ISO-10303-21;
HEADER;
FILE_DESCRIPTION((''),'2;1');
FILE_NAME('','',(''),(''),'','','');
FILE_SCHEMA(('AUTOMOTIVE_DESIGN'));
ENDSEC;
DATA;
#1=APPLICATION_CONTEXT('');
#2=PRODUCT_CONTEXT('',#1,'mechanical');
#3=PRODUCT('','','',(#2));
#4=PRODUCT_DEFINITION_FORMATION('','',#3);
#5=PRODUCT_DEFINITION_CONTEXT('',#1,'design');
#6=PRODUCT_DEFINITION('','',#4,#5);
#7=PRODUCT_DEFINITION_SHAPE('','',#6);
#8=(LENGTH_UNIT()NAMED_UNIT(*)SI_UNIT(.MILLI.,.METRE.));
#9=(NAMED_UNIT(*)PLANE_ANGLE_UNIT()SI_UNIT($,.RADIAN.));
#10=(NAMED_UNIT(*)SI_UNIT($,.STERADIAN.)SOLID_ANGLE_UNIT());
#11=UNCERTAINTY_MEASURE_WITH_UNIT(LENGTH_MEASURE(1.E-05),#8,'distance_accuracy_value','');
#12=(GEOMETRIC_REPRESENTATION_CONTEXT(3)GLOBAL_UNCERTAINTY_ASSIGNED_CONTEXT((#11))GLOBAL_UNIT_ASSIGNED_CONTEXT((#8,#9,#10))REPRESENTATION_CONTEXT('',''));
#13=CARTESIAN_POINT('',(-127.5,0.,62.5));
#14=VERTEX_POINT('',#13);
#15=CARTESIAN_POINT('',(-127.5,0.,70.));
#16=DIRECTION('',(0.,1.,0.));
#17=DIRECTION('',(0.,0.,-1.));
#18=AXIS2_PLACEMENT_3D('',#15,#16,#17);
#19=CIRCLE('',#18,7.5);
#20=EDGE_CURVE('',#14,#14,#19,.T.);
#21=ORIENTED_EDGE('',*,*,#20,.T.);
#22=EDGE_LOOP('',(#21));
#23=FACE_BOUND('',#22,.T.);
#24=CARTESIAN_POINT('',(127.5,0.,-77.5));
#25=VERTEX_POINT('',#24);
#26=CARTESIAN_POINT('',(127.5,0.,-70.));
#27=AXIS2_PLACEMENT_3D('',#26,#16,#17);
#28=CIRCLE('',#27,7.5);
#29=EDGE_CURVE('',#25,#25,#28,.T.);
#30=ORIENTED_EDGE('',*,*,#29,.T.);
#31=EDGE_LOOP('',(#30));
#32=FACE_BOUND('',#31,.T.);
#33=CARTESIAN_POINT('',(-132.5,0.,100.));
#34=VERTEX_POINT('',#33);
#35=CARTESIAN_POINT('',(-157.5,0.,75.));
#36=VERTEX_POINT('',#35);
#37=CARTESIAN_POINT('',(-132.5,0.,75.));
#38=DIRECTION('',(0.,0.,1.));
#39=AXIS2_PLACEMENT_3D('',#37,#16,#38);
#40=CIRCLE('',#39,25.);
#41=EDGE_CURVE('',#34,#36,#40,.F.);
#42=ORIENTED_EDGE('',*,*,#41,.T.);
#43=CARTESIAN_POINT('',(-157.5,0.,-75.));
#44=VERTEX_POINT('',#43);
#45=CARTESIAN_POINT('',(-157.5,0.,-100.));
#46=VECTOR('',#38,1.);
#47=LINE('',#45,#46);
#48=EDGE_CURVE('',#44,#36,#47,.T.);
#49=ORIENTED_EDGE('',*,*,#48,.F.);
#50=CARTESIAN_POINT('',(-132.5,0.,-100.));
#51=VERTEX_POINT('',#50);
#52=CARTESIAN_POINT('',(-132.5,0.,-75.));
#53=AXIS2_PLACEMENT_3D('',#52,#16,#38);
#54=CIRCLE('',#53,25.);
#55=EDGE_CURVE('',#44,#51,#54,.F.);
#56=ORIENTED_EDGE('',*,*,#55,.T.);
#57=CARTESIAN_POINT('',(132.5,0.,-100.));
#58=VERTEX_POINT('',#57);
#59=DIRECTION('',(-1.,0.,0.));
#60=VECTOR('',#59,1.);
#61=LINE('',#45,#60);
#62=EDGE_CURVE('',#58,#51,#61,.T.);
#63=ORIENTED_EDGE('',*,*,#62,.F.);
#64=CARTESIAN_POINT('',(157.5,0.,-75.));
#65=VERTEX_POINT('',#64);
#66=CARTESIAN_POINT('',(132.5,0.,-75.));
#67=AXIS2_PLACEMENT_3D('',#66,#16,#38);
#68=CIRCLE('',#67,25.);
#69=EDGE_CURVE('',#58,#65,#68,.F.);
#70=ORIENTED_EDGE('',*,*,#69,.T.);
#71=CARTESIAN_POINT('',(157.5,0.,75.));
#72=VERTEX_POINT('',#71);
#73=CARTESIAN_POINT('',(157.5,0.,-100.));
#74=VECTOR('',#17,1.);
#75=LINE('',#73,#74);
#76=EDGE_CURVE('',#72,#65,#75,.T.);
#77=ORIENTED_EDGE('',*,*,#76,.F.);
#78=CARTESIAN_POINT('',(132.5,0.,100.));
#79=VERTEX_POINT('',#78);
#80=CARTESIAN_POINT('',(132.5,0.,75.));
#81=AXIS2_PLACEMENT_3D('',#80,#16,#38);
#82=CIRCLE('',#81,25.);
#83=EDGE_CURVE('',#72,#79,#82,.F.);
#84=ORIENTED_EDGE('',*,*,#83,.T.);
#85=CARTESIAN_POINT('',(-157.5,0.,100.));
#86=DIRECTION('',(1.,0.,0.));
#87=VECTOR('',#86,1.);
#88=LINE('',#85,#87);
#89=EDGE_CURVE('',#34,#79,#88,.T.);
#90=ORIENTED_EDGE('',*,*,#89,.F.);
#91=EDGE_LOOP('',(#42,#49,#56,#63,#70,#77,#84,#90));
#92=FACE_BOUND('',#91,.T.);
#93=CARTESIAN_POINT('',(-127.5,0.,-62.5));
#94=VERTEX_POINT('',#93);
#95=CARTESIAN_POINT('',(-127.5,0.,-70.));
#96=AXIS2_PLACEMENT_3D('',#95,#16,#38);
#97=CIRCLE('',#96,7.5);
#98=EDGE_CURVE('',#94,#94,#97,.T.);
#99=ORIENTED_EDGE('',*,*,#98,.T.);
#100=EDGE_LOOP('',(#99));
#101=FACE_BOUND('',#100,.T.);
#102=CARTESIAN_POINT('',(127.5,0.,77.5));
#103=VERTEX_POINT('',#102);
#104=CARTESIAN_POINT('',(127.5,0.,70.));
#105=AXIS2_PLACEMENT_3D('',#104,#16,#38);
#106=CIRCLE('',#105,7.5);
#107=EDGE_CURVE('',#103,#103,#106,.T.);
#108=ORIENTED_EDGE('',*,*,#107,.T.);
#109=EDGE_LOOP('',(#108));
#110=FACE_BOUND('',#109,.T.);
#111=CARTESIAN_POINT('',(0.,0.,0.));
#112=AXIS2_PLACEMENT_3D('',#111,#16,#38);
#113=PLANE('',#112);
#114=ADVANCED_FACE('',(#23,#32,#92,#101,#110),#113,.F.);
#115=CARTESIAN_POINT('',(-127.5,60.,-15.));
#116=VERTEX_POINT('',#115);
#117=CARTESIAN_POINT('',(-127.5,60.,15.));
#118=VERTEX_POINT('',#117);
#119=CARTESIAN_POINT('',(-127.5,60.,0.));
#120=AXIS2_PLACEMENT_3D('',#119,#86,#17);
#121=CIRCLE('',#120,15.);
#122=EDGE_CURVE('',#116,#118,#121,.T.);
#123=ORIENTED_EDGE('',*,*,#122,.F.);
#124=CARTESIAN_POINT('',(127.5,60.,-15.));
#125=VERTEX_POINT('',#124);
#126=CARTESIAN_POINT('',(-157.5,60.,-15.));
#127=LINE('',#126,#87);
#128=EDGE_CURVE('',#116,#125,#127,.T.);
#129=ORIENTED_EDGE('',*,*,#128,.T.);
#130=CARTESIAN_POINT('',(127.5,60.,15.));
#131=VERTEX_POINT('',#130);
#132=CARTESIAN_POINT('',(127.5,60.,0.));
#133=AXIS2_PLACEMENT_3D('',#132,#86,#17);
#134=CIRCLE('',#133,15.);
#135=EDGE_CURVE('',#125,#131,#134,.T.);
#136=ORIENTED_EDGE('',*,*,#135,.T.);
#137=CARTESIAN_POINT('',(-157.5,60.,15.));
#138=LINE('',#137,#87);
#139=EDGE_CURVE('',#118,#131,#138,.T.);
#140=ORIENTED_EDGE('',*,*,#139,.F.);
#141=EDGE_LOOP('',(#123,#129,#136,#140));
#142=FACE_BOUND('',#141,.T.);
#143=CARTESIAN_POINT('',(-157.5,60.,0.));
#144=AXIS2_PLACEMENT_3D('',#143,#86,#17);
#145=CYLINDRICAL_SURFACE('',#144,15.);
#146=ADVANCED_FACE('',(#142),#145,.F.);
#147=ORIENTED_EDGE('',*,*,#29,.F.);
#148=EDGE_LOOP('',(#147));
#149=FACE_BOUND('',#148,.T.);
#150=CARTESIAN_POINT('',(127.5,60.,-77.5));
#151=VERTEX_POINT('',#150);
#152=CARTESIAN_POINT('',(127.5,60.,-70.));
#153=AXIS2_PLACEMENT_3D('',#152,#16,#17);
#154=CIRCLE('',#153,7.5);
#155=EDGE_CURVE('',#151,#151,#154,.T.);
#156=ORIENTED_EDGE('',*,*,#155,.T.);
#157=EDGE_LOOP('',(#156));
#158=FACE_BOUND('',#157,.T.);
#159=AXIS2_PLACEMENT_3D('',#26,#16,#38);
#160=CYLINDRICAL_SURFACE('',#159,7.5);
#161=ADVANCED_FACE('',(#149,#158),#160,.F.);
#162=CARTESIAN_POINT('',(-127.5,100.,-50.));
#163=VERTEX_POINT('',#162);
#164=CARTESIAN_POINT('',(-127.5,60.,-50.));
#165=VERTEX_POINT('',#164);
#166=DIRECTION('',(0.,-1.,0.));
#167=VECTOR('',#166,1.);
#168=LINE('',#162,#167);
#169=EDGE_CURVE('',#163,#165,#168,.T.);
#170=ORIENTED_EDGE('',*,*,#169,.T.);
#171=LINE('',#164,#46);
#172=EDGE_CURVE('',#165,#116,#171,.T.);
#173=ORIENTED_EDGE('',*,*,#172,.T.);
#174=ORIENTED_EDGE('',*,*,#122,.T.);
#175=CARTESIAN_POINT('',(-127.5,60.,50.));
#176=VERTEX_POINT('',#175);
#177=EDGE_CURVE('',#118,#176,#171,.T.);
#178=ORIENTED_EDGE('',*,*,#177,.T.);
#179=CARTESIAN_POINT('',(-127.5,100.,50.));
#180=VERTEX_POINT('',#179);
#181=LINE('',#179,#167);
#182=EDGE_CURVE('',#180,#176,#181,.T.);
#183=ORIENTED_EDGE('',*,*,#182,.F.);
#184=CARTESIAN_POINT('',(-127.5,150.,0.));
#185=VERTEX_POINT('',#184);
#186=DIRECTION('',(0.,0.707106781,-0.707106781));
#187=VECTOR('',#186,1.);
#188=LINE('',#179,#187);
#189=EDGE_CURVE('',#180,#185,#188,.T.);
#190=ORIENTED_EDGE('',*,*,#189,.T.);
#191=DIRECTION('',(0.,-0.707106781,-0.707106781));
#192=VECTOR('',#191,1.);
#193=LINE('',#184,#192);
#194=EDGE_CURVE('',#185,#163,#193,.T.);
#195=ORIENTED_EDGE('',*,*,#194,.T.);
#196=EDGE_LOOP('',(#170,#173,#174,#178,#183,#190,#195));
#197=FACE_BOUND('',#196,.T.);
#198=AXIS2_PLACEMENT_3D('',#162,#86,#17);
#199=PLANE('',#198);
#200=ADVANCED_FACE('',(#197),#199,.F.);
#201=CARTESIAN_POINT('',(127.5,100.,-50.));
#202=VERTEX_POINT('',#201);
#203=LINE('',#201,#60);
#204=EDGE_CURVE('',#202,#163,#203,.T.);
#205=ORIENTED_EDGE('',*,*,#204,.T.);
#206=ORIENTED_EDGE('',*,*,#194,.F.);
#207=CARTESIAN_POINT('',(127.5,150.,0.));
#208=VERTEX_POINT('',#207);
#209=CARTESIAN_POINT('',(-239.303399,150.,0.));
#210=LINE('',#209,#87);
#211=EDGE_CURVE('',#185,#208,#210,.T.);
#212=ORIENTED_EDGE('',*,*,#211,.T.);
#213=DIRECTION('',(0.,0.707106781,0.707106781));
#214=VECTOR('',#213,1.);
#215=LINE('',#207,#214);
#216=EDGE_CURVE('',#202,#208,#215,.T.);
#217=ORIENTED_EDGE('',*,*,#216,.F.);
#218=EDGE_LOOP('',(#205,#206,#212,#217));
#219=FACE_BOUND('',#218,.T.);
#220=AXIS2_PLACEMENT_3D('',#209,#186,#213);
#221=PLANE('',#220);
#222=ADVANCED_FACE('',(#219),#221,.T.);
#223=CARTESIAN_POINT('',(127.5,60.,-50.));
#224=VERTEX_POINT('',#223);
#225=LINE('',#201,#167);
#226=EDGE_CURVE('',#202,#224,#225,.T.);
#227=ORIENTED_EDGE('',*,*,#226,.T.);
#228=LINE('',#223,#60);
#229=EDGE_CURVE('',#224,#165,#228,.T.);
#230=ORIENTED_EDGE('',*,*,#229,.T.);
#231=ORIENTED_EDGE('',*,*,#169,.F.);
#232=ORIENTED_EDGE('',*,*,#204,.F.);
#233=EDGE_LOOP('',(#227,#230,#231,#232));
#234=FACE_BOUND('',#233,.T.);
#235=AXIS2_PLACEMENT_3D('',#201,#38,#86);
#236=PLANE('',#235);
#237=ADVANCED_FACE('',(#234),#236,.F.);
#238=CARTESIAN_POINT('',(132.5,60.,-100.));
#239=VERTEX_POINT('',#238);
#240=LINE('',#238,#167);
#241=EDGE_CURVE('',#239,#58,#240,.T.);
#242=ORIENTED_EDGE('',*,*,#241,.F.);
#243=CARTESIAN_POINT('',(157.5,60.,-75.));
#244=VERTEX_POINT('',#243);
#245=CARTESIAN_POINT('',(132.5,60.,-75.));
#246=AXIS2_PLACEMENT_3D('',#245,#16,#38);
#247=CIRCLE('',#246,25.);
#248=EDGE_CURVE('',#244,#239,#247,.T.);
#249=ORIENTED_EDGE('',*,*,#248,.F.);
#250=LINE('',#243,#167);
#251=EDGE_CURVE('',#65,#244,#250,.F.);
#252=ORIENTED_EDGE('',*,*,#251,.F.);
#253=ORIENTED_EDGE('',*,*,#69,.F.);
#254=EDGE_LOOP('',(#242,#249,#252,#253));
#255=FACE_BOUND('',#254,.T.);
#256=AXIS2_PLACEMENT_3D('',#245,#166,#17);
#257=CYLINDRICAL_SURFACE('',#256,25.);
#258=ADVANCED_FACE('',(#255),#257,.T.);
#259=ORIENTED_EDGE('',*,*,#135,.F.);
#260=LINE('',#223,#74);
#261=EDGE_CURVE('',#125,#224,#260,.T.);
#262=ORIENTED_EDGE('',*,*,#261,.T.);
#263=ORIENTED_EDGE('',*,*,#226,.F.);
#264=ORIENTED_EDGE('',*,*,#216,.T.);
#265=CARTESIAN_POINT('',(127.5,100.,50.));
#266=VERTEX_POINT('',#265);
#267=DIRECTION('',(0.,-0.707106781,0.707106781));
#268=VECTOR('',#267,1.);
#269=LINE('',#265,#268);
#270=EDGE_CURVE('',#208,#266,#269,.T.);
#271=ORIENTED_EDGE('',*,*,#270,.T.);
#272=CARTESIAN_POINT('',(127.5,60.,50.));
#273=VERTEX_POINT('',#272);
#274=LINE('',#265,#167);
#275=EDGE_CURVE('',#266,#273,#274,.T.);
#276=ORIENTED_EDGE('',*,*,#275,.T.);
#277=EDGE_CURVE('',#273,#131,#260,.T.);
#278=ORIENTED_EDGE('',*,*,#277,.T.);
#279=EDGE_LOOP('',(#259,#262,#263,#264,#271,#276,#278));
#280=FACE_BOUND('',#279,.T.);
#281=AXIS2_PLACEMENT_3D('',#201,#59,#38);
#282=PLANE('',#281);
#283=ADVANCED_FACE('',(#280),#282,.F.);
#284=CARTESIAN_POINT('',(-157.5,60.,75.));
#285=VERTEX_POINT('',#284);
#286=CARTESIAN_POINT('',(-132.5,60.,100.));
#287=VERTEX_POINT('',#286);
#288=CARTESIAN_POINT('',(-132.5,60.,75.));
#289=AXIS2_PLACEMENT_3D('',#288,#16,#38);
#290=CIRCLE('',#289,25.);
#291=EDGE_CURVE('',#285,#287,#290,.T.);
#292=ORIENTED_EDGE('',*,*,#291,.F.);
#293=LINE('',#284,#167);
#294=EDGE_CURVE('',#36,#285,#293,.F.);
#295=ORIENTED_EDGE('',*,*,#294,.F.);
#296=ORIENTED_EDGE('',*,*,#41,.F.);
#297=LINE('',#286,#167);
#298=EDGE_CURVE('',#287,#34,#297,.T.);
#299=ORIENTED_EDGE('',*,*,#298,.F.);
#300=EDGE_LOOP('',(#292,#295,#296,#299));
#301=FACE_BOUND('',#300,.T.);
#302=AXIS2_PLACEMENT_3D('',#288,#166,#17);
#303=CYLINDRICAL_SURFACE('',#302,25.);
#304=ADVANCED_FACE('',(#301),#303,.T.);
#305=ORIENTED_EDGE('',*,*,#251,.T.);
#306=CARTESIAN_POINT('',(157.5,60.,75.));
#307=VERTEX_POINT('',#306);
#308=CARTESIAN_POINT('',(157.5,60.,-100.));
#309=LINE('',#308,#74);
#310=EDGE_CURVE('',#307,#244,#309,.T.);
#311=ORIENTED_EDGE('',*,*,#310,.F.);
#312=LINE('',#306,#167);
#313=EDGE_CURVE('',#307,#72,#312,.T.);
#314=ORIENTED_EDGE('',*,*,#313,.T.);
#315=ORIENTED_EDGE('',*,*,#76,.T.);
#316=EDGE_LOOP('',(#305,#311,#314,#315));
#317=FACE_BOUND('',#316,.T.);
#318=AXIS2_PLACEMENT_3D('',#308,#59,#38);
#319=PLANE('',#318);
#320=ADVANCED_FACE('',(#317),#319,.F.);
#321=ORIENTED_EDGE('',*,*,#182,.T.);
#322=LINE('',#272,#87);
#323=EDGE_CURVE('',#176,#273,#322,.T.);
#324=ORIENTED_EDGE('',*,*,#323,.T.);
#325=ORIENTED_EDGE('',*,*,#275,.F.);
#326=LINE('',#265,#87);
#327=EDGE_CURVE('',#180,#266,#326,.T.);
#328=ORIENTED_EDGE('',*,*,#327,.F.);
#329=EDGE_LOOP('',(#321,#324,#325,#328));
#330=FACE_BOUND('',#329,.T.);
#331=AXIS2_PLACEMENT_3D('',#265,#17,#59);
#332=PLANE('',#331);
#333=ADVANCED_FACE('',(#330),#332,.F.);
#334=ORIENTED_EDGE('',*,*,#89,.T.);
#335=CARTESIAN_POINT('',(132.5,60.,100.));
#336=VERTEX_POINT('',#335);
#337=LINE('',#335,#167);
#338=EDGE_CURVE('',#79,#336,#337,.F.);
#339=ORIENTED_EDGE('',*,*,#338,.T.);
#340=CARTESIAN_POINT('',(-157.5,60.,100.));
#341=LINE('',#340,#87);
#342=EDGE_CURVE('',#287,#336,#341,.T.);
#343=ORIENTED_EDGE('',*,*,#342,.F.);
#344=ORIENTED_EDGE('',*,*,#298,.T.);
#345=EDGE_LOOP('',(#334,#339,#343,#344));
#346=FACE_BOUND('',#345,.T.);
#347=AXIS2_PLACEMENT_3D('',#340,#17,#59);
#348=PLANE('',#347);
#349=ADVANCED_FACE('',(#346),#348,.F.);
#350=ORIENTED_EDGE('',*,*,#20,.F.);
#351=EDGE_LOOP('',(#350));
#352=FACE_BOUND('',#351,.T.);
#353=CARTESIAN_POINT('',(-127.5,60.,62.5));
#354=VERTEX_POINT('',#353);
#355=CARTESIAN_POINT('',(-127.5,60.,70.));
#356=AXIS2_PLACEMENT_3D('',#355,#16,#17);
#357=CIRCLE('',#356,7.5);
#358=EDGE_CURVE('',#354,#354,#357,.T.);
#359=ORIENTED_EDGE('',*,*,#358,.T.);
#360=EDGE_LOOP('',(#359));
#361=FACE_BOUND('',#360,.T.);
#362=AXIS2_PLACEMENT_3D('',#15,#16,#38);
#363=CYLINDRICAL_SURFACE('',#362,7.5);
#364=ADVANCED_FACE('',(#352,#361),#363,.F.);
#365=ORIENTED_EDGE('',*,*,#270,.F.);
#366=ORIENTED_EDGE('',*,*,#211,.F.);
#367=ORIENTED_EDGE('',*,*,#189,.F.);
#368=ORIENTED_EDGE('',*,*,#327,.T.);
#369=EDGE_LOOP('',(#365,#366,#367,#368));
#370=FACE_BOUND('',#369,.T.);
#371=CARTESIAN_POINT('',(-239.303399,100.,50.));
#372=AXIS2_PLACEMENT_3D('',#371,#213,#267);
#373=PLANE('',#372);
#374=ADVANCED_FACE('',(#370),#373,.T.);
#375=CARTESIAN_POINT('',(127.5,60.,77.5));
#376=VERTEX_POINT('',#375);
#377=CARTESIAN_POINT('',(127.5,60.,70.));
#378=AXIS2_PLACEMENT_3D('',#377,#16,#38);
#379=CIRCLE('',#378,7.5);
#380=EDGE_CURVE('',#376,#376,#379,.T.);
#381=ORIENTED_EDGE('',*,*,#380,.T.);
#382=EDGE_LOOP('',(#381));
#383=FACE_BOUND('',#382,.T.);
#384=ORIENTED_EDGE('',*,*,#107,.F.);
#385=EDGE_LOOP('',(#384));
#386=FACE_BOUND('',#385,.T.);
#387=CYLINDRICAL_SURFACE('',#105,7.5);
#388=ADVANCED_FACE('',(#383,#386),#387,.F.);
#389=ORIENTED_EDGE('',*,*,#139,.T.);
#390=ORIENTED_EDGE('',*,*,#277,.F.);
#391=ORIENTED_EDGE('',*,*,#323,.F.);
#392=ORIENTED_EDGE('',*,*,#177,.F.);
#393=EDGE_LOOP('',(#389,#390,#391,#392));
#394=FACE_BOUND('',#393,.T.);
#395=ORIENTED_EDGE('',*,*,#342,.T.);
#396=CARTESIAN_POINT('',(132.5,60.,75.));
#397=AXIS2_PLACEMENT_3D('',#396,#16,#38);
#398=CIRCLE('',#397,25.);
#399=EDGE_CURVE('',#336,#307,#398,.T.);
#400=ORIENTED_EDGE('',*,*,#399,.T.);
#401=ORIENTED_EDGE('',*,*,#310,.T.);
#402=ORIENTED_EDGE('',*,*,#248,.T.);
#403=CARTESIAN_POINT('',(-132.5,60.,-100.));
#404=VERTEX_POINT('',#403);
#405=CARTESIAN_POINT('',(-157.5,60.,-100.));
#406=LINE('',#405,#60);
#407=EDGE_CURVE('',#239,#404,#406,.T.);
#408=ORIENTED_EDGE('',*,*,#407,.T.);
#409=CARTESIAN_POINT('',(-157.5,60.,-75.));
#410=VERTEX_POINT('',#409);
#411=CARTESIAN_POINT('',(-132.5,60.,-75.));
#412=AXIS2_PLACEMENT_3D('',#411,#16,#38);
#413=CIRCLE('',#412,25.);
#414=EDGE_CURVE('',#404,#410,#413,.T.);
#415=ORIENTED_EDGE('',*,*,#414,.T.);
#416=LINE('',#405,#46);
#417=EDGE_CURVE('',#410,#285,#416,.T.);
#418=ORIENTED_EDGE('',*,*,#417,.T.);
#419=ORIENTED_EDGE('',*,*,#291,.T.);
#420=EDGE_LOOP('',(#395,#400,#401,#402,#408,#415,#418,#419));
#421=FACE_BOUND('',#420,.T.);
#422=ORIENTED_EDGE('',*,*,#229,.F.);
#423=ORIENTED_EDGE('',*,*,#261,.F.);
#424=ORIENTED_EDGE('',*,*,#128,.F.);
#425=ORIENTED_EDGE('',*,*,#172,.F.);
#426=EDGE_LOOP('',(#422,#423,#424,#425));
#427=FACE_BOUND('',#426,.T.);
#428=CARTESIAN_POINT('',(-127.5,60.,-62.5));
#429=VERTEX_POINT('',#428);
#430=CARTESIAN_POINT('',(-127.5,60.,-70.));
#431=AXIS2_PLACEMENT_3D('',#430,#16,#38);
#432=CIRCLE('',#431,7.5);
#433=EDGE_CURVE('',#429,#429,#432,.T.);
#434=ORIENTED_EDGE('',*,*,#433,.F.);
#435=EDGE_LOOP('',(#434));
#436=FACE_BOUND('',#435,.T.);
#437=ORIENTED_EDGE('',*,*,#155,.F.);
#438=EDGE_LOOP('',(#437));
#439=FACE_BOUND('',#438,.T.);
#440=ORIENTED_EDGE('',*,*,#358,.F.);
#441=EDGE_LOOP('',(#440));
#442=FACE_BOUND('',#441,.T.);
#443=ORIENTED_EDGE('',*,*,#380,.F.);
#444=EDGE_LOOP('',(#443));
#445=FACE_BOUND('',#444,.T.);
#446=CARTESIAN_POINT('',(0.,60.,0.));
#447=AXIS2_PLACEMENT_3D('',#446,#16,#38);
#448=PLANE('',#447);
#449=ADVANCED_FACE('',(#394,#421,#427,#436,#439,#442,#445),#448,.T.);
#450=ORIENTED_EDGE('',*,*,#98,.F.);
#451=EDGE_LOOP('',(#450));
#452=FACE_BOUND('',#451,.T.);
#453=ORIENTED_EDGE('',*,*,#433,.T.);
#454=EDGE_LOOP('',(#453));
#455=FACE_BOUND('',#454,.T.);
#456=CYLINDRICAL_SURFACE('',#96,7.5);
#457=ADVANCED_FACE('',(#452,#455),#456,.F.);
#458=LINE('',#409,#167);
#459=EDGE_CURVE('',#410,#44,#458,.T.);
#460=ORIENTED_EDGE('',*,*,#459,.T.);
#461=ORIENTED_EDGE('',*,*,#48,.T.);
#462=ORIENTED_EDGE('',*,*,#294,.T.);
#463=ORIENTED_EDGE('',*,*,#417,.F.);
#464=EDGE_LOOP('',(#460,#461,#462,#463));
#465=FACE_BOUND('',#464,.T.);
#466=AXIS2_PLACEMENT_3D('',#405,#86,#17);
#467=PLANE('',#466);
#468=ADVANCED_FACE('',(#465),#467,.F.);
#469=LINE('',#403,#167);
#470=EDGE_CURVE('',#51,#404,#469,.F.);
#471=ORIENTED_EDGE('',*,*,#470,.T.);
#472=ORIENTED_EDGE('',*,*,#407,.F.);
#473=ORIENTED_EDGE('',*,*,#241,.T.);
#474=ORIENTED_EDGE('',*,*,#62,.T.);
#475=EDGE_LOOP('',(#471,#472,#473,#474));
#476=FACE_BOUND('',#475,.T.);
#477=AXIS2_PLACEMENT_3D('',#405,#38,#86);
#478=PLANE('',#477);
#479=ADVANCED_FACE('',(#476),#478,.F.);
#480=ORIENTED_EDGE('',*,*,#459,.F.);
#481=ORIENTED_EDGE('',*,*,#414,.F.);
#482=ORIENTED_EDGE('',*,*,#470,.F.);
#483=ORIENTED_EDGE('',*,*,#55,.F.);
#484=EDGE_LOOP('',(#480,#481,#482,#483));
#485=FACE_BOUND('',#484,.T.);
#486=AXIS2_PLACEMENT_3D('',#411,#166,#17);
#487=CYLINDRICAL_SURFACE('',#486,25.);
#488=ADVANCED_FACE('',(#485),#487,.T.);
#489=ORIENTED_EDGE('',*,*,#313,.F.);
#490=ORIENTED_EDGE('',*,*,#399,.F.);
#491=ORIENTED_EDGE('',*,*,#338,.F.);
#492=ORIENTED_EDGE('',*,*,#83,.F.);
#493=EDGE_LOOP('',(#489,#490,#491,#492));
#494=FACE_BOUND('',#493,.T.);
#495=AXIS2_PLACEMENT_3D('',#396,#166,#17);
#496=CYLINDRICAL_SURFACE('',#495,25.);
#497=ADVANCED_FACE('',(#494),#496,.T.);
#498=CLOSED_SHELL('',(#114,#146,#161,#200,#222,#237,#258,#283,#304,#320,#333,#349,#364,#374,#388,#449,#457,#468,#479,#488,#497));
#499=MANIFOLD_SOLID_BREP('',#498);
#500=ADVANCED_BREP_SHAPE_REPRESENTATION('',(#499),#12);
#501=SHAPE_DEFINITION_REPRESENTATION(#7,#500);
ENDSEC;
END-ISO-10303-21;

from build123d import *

# Parameters (mm, degrees)
IZIM1_W                     = 315
IZIM1_H                     = 200
Y_KSEKLIK_EKSTR_ZYON1_DEPTH = 60
RADYUS1_R                   = 25
IZIM2_R                     = 7.5
KES_EKSTR_ZYON1_DEPTH       = 61
IZIM3_W                     = 255
IZIM3_H                     = 100
Y_KSEKLIK_EKSTR_ZYON2_DEPTH = 40
Y_KSEKLIK_EKSTR_ZYON3_DEPTH = 255
KES_EKSTR_ZYON2_DEPTH       = 286


with BuildPart() as part:
    # Çizim1 → Yükseklik-Ekstrüzyon1 (new body)
    with BuildSketch(Plane(origin=(0, 0, 0), x_dir=(1, 0, 0), z_dir=(0, 1, 0))):
        Rectangle(IZIM1_W, IZIM1_H)
    extrude(amount=Y_KSEKLIK_EKSTR_ZYON1_DEPTH)

    # Radyus1
    radyus1_edges = [part.edges().sort_by_distance(p)[0] for p in [
        (157.5, 30, 100),
        (-157.5, 30, 100),
        (-157.5, 30, -100),
        (157.5, 30, -100),
    ]]
    fillet(radyus1_edges, radius=RADYUS1_R)

    # Çizim2 → Kes-Ekstrüzyon1 (cut, through all)
    with BuildSketch(Plane(origin=(0, 60, 0), x_dir=(1, 0, 0), z_dir=(0, 1, 0))):
        with Locations((-127.5, 70)):
            Circle(IZIM2_R)
        with Locations((127.5, 70)):
            Circle(IZIM2_R)
        with Locations((127.5, -70)):
            Circle(IZIM2_R)
        with Locations((-127.5, -70)):
            Circle(IZIM2_R)
    extrude(amount=-KES_EKSTR_ZYON1_DEPTH, mode=Mode.SUBTRACT)

    # Çizim3 → Yükseklik-Ekstrüzyon2 (add)
    with BuildSketch(Plane(origin=(0, 60, 0), x_dir=(1, 0, 0), z_dir=(0, 1, 0))):
        Rectangle(IZIM3_W, IZIM3_H)
    extrude(amount=Y_KSEKLIK_EKSTR_ZYON2_DEPTH)

    # Çizim4 → Yükseklik-Ekstrüzyon3 (add)
    with BuildSketch(Plane(origin=(127.5, 0, 0), x_dir=(0, 0, -1), z_dir=(1, 0, 0))):
        Polygon((-50, 100), (0, 150), (50, 100), align=None)
    extrude(amount=-Y_KSEKLIK_EKSTR_ZYON3_DEPTH)

    # Çizim5 → Kes-Ekstrüzyon2 (cut, through all)
    with BuildSketch(Plane(origin=(127.5, 0, 0), x_dir=(0, 0, -1), z_dir=(1, 0, 0))):
        with BuildLine():
            Line((-15, 60), (15, 60))
            ThreePointArc((15, 60), (0, 75), (-15, 60))
        make_face()
    extrude(amount=-KES_EKSTR_ZYON2_DEPTH, mode=Mode.SUBTRACT)


solid = part.part
